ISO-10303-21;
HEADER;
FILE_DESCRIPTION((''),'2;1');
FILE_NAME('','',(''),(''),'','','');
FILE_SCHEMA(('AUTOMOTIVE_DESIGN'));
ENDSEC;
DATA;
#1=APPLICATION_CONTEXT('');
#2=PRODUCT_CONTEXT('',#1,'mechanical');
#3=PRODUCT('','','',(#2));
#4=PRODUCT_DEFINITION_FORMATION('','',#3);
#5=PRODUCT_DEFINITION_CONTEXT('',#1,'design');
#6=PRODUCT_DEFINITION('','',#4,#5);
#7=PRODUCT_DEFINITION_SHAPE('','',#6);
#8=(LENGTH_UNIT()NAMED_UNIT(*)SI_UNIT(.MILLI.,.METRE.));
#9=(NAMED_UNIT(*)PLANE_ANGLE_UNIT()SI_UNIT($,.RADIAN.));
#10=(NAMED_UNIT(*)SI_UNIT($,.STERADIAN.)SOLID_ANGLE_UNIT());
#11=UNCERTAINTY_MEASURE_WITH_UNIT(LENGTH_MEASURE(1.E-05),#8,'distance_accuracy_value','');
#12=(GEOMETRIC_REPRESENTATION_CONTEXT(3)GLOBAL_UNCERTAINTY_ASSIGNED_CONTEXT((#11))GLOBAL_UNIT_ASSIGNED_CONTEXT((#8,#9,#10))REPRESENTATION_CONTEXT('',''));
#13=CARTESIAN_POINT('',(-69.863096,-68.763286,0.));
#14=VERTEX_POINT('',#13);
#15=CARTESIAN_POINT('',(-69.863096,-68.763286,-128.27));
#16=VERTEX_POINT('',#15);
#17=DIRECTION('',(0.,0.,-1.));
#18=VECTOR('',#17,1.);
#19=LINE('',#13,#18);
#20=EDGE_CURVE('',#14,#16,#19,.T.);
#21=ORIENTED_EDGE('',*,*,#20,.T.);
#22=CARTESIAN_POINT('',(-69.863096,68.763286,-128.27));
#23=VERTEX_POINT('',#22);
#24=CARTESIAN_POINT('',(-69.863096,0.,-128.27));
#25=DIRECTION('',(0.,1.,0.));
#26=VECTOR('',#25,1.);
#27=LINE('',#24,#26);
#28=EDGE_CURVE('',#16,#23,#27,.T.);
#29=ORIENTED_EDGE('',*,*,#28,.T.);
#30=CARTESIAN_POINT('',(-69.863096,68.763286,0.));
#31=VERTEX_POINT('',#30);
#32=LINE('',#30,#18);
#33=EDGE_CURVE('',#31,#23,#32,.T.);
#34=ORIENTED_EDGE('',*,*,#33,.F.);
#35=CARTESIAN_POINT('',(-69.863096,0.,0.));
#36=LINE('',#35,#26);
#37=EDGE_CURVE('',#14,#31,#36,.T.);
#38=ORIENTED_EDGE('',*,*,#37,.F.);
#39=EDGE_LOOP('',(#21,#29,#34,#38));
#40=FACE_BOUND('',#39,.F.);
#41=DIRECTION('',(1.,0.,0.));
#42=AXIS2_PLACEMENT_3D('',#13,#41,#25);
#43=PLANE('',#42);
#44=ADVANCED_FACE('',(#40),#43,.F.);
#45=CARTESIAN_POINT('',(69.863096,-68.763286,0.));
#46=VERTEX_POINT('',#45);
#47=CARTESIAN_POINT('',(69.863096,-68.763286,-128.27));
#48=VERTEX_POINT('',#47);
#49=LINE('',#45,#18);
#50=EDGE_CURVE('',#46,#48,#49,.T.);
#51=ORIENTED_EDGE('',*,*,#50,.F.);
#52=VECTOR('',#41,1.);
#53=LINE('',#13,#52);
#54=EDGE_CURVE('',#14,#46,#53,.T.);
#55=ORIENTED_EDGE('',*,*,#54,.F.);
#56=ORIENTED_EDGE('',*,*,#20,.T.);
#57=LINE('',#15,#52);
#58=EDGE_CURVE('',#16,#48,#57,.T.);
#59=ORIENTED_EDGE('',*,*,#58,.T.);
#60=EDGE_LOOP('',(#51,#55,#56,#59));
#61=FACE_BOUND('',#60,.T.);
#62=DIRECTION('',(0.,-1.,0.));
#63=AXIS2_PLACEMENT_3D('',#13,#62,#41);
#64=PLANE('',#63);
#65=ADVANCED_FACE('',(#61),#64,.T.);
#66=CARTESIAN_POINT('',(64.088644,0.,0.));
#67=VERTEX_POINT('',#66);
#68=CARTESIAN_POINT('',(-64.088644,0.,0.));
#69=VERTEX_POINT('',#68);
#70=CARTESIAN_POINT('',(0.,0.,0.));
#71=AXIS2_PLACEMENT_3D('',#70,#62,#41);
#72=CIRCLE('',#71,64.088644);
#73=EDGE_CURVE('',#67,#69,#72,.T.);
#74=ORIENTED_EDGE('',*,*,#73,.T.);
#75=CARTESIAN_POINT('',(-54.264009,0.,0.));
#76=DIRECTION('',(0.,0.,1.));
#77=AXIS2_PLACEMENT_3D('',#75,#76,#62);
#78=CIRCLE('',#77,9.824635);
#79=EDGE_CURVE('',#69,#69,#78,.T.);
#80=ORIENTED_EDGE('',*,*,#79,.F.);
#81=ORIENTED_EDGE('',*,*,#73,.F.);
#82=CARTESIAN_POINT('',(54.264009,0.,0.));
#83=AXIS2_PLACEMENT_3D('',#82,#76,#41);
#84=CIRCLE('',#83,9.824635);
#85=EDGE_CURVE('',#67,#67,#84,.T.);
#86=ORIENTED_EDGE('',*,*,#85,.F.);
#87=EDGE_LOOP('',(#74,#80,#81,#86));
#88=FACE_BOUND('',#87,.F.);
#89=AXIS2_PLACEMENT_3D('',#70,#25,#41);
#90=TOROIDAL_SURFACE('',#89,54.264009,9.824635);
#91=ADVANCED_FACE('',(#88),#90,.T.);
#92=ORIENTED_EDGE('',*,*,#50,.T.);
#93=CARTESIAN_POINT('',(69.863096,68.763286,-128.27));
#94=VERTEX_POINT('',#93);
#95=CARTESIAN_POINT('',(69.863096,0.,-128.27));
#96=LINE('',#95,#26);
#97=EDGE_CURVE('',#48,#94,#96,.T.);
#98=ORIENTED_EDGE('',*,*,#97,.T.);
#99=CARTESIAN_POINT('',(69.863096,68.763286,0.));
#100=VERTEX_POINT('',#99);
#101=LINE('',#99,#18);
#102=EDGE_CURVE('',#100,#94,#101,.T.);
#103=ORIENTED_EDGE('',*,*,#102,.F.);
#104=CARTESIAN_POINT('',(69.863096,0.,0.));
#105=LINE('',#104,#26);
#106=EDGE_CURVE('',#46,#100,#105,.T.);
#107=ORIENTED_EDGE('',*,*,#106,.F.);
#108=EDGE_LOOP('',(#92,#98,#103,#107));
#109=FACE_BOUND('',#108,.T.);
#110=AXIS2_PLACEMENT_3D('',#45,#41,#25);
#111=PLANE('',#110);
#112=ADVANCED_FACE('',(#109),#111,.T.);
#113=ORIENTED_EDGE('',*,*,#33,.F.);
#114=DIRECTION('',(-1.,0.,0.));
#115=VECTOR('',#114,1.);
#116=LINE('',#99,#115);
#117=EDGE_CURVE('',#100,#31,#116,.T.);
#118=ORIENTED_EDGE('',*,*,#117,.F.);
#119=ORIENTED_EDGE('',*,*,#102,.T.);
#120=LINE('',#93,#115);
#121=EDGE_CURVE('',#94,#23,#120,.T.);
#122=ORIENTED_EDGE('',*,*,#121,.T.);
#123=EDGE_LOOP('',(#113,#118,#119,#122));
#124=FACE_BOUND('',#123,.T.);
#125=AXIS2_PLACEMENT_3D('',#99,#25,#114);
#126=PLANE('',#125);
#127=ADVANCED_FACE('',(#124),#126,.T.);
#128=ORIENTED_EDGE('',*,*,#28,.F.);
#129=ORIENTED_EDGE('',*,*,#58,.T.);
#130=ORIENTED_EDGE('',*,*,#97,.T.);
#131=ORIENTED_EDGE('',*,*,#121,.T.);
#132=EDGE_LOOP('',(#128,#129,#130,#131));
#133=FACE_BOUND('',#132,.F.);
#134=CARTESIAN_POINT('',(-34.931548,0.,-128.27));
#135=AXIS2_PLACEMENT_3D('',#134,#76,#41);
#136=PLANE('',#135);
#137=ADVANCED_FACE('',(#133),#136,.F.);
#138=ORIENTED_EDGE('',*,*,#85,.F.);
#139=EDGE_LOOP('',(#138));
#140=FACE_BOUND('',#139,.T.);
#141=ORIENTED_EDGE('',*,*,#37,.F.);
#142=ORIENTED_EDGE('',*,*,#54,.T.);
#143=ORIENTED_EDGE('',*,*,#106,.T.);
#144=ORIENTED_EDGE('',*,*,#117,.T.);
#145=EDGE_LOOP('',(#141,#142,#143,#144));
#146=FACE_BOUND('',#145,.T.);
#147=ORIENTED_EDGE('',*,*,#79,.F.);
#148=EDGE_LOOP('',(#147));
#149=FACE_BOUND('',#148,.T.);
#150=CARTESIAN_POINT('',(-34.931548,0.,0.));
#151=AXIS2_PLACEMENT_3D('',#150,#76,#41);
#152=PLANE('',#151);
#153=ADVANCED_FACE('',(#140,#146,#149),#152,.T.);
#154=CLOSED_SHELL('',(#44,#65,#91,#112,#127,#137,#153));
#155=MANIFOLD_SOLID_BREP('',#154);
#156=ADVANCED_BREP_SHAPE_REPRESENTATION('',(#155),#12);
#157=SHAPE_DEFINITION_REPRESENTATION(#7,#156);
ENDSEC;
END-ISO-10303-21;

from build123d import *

# Parameters (mm, degrees)
F1_R     = 9.824635
F0_W     = 69.863096
F0_H     = 137.526572
F3_DEPTH = 128.27


with BuildPart() as f2:
    # F1 (on Top) → F2 (revolve)
    with BuildSketch(Plane.XY):
        with Locations((54.264009, 0)):
            Circle(F1_R)
    revolve(axis=Axis((0, 0, 0), (0, -1, 0)))

    # F0 (on Top) → F3 (join)
    with BuildSketch(Plane.XY):
        with Locations((-34.931548, 0)):
            Rectangle(F0_W, F0_H)
        with Locations((34.931548, 0)):
            Rectangle(F0_W, F0_H)
    extrude(amount=-F3_DEPTH)


solid = f2.part
